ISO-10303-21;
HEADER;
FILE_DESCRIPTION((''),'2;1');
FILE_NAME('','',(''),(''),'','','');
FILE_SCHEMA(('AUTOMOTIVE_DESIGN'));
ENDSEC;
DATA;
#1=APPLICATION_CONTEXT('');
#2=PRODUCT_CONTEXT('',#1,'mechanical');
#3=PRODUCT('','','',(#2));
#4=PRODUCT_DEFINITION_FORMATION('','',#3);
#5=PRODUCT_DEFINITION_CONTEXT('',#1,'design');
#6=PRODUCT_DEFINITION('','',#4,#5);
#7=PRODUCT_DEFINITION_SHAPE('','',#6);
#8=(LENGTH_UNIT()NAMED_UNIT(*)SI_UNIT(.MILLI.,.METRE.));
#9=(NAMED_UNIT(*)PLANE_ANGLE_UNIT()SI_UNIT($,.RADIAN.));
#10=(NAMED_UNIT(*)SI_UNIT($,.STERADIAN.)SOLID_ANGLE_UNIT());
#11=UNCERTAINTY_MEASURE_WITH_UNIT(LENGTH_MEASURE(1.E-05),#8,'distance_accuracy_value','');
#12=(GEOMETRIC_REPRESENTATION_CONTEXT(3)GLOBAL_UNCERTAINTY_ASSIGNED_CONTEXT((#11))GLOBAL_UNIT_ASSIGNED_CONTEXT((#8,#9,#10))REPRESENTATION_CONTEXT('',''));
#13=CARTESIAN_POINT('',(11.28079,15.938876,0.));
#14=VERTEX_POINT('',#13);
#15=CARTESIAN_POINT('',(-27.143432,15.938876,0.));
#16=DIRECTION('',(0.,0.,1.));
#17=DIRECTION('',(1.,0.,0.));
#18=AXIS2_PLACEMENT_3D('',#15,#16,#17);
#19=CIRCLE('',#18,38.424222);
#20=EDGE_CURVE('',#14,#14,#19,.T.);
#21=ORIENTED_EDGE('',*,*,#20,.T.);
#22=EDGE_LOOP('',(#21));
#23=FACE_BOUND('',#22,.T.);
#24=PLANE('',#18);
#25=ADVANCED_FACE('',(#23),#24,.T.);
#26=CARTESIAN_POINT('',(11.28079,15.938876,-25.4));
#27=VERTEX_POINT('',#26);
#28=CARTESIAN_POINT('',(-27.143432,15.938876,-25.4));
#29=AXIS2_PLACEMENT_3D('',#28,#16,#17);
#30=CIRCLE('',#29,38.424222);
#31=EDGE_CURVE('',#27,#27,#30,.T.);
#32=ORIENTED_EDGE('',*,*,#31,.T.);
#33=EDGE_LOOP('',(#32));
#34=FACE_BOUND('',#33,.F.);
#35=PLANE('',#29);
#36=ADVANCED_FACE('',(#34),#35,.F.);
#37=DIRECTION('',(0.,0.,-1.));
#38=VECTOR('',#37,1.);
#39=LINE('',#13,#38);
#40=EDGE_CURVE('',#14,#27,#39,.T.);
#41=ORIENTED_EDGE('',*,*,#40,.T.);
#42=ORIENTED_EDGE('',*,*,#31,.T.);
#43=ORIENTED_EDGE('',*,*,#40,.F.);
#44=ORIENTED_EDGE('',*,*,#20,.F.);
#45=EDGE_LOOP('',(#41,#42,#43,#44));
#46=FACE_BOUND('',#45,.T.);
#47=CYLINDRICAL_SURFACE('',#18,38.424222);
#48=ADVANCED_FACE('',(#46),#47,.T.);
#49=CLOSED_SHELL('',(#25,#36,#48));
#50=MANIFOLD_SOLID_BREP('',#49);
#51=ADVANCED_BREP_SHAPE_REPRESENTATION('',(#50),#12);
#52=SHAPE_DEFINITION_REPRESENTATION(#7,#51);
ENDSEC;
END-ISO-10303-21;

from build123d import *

# Parameters (mm, degrees)
F0_R     = 38.424222
F1_DEPTH = 25.4


with BuildPart() as f1:
    # F0 (on Top) → F1 (new body)
    with BuildSketch(Plane.XY):
        with Locations((-27.143432, 15.938876)):
            Circle(F0_R)
    extrude(amount=-F1_DEPTH)


solid = f1.part
